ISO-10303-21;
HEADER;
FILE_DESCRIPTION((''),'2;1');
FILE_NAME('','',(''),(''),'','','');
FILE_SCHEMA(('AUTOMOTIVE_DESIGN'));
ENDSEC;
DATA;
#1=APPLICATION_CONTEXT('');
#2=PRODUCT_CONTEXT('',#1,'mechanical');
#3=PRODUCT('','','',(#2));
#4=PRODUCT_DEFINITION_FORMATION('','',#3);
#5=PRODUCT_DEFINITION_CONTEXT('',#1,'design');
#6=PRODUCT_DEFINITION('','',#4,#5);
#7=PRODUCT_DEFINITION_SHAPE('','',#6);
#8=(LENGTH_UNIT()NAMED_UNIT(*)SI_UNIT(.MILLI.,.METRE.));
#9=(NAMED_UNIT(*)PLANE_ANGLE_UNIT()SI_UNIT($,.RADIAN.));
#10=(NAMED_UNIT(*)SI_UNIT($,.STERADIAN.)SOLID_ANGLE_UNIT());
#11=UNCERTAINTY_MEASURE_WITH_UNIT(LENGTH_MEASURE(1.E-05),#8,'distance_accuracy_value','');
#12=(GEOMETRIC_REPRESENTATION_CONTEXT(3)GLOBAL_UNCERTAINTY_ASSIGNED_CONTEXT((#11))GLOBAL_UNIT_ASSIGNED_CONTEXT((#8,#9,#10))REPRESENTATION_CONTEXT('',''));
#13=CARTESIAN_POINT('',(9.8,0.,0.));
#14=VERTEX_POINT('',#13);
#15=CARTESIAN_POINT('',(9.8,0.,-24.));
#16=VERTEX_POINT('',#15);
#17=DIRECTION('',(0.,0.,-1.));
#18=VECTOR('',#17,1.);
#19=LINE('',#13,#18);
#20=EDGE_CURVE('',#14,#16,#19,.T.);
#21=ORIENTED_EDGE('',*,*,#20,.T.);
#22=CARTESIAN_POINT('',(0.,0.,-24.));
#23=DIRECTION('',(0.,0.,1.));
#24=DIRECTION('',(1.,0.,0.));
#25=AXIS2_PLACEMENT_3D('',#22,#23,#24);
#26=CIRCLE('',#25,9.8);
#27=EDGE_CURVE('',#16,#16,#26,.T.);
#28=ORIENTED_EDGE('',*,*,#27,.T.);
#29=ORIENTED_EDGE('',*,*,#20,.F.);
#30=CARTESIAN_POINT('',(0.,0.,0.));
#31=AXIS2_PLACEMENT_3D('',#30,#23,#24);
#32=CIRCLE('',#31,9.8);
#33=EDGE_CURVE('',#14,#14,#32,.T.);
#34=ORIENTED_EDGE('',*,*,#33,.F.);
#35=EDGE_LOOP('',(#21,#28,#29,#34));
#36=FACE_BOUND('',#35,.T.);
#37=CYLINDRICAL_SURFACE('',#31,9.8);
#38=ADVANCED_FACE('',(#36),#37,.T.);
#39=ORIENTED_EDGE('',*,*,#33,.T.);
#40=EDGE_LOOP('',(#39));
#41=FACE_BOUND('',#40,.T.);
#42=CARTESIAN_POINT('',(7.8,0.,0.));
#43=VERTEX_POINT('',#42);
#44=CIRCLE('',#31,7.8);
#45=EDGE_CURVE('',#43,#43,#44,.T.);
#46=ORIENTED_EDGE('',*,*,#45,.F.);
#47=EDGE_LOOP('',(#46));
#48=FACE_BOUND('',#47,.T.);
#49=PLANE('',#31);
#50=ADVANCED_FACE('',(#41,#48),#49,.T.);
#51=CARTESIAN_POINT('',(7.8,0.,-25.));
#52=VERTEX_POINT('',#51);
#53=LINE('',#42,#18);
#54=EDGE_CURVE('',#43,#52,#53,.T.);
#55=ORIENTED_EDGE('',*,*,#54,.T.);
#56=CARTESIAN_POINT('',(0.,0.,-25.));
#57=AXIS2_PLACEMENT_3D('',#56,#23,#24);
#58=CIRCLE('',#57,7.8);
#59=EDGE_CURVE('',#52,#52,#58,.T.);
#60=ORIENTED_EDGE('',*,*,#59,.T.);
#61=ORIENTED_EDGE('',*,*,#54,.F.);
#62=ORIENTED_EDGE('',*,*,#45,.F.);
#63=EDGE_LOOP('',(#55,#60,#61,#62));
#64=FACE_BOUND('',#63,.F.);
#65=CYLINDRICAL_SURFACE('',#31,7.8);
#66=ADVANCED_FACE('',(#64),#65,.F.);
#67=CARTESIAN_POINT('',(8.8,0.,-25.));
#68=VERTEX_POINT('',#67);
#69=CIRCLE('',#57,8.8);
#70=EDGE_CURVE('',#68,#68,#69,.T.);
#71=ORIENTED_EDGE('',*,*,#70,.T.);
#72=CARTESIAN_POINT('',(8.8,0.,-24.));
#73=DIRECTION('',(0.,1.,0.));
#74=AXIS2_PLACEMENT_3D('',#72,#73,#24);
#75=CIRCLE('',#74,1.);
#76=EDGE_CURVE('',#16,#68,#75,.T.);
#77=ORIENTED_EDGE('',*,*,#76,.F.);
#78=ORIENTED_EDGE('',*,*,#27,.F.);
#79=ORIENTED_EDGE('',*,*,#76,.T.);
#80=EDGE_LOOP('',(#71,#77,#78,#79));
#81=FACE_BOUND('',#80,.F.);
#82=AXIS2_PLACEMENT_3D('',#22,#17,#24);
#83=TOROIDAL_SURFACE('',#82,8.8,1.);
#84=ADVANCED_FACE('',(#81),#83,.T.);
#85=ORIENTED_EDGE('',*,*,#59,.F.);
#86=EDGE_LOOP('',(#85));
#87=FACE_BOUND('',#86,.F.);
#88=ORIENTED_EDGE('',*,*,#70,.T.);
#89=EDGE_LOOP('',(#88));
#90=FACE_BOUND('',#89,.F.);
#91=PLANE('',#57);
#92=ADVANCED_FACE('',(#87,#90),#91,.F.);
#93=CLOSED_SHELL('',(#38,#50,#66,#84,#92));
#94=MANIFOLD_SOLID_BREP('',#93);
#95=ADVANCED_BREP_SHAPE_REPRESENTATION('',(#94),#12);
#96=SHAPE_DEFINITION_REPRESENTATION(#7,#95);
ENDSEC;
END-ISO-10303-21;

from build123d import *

# Parameters (mm, degrees)
F0_R     = 9.8
F0_R_2   = 7.8
F1_DEPTH = 25
F2_R     = 1


with BuildPart() as f1:
    # F0 (on Top) → F1 (new body)
    with BuildSketch(Plane.XY):
        Circle(F0_R)
        Circle(F0_R_2, mode=Mode.SUBTRACT)
    extrude(amount=-F1_DEPTH)

    # F2
    f2_edges = [f1.edges().sort_by_distance(p)[0] for p in [
        (-9.8, 0, -25),
    ]]
    fillet(f2_edges, radius=F2_R)


solid = f1.part
